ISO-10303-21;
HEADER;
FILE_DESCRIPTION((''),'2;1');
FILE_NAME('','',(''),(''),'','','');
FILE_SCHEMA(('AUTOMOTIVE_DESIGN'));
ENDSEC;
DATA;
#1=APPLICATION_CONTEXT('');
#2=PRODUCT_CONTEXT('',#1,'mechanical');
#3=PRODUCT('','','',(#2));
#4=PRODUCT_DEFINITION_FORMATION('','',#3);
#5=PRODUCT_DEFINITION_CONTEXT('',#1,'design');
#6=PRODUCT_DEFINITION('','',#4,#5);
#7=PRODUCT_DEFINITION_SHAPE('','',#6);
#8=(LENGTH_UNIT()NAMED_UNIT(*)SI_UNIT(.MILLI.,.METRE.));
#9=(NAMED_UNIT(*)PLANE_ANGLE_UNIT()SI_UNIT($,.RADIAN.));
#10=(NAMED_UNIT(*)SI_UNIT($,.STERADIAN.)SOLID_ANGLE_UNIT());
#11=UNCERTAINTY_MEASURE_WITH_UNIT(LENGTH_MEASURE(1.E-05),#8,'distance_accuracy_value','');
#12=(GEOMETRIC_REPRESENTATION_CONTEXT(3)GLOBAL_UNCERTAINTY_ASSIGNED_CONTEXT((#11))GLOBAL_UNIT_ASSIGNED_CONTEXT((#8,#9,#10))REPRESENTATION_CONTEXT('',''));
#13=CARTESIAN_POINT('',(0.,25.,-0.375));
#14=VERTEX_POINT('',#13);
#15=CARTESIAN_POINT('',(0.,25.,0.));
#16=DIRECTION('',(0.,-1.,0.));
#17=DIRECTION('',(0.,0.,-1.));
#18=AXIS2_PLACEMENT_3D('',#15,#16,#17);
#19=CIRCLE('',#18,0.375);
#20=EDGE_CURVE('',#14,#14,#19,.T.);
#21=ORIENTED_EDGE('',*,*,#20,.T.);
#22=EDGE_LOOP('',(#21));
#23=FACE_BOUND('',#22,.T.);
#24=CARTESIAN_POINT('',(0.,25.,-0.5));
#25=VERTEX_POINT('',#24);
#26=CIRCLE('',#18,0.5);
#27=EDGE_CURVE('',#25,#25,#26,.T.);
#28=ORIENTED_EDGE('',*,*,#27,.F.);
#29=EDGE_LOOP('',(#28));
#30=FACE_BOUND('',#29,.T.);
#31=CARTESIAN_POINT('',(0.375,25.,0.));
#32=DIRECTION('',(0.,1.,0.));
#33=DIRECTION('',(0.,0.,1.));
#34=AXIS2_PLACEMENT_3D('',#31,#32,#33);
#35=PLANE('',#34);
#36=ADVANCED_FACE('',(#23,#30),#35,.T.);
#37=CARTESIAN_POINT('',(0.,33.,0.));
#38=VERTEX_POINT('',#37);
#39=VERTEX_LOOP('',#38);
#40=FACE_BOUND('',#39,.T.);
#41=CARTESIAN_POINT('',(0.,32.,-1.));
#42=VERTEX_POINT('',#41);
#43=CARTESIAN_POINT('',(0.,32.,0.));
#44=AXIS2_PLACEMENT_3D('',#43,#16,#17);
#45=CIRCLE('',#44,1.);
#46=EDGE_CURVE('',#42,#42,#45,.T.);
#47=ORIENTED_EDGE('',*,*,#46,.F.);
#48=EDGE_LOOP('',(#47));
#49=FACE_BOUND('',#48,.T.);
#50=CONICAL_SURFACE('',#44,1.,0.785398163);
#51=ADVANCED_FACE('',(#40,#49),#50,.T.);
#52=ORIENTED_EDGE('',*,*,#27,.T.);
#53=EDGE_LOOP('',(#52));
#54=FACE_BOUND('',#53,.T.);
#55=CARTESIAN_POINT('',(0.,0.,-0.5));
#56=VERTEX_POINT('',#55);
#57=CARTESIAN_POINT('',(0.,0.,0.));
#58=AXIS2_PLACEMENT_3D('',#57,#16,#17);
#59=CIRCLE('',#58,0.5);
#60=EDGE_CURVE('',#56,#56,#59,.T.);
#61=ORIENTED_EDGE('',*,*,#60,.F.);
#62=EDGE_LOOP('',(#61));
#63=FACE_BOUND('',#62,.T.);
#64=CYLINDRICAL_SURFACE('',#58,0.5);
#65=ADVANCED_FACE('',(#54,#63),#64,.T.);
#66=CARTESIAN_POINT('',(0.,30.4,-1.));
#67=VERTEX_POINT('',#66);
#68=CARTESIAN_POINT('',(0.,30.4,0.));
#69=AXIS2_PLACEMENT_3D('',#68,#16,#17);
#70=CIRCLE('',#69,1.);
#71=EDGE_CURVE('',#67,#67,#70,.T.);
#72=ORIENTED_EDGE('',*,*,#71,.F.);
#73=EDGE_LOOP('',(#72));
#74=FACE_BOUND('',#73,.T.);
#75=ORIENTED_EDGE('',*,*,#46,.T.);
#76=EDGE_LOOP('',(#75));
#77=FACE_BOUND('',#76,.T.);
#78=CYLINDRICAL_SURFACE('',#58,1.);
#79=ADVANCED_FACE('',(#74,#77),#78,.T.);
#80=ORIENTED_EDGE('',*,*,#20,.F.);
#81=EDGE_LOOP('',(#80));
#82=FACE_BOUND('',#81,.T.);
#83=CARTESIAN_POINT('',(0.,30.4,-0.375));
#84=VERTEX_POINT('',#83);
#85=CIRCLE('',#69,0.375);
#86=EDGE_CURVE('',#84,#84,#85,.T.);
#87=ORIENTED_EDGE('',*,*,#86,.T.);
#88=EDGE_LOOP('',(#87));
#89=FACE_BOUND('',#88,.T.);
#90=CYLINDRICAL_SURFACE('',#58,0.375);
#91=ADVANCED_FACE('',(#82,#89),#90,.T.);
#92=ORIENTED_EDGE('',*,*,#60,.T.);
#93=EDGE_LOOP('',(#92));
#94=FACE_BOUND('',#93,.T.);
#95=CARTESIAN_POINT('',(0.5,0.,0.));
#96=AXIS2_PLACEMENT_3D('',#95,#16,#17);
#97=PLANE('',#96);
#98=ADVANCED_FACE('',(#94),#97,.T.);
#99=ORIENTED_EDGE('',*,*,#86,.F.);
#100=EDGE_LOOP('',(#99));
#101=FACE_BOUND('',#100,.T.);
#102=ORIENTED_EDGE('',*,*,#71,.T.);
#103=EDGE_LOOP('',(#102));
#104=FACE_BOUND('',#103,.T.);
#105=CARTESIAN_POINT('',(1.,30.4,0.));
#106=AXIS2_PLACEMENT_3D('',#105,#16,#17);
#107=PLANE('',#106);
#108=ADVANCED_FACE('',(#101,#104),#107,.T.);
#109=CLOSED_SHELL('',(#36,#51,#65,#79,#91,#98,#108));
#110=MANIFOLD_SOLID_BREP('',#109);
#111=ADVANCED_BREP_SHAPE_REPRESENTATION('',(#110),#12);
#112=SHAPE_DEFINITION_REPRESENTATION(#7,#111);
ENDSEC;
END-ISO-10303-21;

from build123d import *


with BuildPart() as part:
    # Sketch1 → Revolve1 (revolve)
    with BuildSketch(Plane.XY):
        Polygon((0, 0), (0, 33), (1, 32), (1, 30.4), (0.375, 30.4), (0.375, 25), (0.5, 25), (0.5, 0), align=None)
    revolve(axis=Axis((0, 0, 0), (0, 1, 0)))


solid = part.part
